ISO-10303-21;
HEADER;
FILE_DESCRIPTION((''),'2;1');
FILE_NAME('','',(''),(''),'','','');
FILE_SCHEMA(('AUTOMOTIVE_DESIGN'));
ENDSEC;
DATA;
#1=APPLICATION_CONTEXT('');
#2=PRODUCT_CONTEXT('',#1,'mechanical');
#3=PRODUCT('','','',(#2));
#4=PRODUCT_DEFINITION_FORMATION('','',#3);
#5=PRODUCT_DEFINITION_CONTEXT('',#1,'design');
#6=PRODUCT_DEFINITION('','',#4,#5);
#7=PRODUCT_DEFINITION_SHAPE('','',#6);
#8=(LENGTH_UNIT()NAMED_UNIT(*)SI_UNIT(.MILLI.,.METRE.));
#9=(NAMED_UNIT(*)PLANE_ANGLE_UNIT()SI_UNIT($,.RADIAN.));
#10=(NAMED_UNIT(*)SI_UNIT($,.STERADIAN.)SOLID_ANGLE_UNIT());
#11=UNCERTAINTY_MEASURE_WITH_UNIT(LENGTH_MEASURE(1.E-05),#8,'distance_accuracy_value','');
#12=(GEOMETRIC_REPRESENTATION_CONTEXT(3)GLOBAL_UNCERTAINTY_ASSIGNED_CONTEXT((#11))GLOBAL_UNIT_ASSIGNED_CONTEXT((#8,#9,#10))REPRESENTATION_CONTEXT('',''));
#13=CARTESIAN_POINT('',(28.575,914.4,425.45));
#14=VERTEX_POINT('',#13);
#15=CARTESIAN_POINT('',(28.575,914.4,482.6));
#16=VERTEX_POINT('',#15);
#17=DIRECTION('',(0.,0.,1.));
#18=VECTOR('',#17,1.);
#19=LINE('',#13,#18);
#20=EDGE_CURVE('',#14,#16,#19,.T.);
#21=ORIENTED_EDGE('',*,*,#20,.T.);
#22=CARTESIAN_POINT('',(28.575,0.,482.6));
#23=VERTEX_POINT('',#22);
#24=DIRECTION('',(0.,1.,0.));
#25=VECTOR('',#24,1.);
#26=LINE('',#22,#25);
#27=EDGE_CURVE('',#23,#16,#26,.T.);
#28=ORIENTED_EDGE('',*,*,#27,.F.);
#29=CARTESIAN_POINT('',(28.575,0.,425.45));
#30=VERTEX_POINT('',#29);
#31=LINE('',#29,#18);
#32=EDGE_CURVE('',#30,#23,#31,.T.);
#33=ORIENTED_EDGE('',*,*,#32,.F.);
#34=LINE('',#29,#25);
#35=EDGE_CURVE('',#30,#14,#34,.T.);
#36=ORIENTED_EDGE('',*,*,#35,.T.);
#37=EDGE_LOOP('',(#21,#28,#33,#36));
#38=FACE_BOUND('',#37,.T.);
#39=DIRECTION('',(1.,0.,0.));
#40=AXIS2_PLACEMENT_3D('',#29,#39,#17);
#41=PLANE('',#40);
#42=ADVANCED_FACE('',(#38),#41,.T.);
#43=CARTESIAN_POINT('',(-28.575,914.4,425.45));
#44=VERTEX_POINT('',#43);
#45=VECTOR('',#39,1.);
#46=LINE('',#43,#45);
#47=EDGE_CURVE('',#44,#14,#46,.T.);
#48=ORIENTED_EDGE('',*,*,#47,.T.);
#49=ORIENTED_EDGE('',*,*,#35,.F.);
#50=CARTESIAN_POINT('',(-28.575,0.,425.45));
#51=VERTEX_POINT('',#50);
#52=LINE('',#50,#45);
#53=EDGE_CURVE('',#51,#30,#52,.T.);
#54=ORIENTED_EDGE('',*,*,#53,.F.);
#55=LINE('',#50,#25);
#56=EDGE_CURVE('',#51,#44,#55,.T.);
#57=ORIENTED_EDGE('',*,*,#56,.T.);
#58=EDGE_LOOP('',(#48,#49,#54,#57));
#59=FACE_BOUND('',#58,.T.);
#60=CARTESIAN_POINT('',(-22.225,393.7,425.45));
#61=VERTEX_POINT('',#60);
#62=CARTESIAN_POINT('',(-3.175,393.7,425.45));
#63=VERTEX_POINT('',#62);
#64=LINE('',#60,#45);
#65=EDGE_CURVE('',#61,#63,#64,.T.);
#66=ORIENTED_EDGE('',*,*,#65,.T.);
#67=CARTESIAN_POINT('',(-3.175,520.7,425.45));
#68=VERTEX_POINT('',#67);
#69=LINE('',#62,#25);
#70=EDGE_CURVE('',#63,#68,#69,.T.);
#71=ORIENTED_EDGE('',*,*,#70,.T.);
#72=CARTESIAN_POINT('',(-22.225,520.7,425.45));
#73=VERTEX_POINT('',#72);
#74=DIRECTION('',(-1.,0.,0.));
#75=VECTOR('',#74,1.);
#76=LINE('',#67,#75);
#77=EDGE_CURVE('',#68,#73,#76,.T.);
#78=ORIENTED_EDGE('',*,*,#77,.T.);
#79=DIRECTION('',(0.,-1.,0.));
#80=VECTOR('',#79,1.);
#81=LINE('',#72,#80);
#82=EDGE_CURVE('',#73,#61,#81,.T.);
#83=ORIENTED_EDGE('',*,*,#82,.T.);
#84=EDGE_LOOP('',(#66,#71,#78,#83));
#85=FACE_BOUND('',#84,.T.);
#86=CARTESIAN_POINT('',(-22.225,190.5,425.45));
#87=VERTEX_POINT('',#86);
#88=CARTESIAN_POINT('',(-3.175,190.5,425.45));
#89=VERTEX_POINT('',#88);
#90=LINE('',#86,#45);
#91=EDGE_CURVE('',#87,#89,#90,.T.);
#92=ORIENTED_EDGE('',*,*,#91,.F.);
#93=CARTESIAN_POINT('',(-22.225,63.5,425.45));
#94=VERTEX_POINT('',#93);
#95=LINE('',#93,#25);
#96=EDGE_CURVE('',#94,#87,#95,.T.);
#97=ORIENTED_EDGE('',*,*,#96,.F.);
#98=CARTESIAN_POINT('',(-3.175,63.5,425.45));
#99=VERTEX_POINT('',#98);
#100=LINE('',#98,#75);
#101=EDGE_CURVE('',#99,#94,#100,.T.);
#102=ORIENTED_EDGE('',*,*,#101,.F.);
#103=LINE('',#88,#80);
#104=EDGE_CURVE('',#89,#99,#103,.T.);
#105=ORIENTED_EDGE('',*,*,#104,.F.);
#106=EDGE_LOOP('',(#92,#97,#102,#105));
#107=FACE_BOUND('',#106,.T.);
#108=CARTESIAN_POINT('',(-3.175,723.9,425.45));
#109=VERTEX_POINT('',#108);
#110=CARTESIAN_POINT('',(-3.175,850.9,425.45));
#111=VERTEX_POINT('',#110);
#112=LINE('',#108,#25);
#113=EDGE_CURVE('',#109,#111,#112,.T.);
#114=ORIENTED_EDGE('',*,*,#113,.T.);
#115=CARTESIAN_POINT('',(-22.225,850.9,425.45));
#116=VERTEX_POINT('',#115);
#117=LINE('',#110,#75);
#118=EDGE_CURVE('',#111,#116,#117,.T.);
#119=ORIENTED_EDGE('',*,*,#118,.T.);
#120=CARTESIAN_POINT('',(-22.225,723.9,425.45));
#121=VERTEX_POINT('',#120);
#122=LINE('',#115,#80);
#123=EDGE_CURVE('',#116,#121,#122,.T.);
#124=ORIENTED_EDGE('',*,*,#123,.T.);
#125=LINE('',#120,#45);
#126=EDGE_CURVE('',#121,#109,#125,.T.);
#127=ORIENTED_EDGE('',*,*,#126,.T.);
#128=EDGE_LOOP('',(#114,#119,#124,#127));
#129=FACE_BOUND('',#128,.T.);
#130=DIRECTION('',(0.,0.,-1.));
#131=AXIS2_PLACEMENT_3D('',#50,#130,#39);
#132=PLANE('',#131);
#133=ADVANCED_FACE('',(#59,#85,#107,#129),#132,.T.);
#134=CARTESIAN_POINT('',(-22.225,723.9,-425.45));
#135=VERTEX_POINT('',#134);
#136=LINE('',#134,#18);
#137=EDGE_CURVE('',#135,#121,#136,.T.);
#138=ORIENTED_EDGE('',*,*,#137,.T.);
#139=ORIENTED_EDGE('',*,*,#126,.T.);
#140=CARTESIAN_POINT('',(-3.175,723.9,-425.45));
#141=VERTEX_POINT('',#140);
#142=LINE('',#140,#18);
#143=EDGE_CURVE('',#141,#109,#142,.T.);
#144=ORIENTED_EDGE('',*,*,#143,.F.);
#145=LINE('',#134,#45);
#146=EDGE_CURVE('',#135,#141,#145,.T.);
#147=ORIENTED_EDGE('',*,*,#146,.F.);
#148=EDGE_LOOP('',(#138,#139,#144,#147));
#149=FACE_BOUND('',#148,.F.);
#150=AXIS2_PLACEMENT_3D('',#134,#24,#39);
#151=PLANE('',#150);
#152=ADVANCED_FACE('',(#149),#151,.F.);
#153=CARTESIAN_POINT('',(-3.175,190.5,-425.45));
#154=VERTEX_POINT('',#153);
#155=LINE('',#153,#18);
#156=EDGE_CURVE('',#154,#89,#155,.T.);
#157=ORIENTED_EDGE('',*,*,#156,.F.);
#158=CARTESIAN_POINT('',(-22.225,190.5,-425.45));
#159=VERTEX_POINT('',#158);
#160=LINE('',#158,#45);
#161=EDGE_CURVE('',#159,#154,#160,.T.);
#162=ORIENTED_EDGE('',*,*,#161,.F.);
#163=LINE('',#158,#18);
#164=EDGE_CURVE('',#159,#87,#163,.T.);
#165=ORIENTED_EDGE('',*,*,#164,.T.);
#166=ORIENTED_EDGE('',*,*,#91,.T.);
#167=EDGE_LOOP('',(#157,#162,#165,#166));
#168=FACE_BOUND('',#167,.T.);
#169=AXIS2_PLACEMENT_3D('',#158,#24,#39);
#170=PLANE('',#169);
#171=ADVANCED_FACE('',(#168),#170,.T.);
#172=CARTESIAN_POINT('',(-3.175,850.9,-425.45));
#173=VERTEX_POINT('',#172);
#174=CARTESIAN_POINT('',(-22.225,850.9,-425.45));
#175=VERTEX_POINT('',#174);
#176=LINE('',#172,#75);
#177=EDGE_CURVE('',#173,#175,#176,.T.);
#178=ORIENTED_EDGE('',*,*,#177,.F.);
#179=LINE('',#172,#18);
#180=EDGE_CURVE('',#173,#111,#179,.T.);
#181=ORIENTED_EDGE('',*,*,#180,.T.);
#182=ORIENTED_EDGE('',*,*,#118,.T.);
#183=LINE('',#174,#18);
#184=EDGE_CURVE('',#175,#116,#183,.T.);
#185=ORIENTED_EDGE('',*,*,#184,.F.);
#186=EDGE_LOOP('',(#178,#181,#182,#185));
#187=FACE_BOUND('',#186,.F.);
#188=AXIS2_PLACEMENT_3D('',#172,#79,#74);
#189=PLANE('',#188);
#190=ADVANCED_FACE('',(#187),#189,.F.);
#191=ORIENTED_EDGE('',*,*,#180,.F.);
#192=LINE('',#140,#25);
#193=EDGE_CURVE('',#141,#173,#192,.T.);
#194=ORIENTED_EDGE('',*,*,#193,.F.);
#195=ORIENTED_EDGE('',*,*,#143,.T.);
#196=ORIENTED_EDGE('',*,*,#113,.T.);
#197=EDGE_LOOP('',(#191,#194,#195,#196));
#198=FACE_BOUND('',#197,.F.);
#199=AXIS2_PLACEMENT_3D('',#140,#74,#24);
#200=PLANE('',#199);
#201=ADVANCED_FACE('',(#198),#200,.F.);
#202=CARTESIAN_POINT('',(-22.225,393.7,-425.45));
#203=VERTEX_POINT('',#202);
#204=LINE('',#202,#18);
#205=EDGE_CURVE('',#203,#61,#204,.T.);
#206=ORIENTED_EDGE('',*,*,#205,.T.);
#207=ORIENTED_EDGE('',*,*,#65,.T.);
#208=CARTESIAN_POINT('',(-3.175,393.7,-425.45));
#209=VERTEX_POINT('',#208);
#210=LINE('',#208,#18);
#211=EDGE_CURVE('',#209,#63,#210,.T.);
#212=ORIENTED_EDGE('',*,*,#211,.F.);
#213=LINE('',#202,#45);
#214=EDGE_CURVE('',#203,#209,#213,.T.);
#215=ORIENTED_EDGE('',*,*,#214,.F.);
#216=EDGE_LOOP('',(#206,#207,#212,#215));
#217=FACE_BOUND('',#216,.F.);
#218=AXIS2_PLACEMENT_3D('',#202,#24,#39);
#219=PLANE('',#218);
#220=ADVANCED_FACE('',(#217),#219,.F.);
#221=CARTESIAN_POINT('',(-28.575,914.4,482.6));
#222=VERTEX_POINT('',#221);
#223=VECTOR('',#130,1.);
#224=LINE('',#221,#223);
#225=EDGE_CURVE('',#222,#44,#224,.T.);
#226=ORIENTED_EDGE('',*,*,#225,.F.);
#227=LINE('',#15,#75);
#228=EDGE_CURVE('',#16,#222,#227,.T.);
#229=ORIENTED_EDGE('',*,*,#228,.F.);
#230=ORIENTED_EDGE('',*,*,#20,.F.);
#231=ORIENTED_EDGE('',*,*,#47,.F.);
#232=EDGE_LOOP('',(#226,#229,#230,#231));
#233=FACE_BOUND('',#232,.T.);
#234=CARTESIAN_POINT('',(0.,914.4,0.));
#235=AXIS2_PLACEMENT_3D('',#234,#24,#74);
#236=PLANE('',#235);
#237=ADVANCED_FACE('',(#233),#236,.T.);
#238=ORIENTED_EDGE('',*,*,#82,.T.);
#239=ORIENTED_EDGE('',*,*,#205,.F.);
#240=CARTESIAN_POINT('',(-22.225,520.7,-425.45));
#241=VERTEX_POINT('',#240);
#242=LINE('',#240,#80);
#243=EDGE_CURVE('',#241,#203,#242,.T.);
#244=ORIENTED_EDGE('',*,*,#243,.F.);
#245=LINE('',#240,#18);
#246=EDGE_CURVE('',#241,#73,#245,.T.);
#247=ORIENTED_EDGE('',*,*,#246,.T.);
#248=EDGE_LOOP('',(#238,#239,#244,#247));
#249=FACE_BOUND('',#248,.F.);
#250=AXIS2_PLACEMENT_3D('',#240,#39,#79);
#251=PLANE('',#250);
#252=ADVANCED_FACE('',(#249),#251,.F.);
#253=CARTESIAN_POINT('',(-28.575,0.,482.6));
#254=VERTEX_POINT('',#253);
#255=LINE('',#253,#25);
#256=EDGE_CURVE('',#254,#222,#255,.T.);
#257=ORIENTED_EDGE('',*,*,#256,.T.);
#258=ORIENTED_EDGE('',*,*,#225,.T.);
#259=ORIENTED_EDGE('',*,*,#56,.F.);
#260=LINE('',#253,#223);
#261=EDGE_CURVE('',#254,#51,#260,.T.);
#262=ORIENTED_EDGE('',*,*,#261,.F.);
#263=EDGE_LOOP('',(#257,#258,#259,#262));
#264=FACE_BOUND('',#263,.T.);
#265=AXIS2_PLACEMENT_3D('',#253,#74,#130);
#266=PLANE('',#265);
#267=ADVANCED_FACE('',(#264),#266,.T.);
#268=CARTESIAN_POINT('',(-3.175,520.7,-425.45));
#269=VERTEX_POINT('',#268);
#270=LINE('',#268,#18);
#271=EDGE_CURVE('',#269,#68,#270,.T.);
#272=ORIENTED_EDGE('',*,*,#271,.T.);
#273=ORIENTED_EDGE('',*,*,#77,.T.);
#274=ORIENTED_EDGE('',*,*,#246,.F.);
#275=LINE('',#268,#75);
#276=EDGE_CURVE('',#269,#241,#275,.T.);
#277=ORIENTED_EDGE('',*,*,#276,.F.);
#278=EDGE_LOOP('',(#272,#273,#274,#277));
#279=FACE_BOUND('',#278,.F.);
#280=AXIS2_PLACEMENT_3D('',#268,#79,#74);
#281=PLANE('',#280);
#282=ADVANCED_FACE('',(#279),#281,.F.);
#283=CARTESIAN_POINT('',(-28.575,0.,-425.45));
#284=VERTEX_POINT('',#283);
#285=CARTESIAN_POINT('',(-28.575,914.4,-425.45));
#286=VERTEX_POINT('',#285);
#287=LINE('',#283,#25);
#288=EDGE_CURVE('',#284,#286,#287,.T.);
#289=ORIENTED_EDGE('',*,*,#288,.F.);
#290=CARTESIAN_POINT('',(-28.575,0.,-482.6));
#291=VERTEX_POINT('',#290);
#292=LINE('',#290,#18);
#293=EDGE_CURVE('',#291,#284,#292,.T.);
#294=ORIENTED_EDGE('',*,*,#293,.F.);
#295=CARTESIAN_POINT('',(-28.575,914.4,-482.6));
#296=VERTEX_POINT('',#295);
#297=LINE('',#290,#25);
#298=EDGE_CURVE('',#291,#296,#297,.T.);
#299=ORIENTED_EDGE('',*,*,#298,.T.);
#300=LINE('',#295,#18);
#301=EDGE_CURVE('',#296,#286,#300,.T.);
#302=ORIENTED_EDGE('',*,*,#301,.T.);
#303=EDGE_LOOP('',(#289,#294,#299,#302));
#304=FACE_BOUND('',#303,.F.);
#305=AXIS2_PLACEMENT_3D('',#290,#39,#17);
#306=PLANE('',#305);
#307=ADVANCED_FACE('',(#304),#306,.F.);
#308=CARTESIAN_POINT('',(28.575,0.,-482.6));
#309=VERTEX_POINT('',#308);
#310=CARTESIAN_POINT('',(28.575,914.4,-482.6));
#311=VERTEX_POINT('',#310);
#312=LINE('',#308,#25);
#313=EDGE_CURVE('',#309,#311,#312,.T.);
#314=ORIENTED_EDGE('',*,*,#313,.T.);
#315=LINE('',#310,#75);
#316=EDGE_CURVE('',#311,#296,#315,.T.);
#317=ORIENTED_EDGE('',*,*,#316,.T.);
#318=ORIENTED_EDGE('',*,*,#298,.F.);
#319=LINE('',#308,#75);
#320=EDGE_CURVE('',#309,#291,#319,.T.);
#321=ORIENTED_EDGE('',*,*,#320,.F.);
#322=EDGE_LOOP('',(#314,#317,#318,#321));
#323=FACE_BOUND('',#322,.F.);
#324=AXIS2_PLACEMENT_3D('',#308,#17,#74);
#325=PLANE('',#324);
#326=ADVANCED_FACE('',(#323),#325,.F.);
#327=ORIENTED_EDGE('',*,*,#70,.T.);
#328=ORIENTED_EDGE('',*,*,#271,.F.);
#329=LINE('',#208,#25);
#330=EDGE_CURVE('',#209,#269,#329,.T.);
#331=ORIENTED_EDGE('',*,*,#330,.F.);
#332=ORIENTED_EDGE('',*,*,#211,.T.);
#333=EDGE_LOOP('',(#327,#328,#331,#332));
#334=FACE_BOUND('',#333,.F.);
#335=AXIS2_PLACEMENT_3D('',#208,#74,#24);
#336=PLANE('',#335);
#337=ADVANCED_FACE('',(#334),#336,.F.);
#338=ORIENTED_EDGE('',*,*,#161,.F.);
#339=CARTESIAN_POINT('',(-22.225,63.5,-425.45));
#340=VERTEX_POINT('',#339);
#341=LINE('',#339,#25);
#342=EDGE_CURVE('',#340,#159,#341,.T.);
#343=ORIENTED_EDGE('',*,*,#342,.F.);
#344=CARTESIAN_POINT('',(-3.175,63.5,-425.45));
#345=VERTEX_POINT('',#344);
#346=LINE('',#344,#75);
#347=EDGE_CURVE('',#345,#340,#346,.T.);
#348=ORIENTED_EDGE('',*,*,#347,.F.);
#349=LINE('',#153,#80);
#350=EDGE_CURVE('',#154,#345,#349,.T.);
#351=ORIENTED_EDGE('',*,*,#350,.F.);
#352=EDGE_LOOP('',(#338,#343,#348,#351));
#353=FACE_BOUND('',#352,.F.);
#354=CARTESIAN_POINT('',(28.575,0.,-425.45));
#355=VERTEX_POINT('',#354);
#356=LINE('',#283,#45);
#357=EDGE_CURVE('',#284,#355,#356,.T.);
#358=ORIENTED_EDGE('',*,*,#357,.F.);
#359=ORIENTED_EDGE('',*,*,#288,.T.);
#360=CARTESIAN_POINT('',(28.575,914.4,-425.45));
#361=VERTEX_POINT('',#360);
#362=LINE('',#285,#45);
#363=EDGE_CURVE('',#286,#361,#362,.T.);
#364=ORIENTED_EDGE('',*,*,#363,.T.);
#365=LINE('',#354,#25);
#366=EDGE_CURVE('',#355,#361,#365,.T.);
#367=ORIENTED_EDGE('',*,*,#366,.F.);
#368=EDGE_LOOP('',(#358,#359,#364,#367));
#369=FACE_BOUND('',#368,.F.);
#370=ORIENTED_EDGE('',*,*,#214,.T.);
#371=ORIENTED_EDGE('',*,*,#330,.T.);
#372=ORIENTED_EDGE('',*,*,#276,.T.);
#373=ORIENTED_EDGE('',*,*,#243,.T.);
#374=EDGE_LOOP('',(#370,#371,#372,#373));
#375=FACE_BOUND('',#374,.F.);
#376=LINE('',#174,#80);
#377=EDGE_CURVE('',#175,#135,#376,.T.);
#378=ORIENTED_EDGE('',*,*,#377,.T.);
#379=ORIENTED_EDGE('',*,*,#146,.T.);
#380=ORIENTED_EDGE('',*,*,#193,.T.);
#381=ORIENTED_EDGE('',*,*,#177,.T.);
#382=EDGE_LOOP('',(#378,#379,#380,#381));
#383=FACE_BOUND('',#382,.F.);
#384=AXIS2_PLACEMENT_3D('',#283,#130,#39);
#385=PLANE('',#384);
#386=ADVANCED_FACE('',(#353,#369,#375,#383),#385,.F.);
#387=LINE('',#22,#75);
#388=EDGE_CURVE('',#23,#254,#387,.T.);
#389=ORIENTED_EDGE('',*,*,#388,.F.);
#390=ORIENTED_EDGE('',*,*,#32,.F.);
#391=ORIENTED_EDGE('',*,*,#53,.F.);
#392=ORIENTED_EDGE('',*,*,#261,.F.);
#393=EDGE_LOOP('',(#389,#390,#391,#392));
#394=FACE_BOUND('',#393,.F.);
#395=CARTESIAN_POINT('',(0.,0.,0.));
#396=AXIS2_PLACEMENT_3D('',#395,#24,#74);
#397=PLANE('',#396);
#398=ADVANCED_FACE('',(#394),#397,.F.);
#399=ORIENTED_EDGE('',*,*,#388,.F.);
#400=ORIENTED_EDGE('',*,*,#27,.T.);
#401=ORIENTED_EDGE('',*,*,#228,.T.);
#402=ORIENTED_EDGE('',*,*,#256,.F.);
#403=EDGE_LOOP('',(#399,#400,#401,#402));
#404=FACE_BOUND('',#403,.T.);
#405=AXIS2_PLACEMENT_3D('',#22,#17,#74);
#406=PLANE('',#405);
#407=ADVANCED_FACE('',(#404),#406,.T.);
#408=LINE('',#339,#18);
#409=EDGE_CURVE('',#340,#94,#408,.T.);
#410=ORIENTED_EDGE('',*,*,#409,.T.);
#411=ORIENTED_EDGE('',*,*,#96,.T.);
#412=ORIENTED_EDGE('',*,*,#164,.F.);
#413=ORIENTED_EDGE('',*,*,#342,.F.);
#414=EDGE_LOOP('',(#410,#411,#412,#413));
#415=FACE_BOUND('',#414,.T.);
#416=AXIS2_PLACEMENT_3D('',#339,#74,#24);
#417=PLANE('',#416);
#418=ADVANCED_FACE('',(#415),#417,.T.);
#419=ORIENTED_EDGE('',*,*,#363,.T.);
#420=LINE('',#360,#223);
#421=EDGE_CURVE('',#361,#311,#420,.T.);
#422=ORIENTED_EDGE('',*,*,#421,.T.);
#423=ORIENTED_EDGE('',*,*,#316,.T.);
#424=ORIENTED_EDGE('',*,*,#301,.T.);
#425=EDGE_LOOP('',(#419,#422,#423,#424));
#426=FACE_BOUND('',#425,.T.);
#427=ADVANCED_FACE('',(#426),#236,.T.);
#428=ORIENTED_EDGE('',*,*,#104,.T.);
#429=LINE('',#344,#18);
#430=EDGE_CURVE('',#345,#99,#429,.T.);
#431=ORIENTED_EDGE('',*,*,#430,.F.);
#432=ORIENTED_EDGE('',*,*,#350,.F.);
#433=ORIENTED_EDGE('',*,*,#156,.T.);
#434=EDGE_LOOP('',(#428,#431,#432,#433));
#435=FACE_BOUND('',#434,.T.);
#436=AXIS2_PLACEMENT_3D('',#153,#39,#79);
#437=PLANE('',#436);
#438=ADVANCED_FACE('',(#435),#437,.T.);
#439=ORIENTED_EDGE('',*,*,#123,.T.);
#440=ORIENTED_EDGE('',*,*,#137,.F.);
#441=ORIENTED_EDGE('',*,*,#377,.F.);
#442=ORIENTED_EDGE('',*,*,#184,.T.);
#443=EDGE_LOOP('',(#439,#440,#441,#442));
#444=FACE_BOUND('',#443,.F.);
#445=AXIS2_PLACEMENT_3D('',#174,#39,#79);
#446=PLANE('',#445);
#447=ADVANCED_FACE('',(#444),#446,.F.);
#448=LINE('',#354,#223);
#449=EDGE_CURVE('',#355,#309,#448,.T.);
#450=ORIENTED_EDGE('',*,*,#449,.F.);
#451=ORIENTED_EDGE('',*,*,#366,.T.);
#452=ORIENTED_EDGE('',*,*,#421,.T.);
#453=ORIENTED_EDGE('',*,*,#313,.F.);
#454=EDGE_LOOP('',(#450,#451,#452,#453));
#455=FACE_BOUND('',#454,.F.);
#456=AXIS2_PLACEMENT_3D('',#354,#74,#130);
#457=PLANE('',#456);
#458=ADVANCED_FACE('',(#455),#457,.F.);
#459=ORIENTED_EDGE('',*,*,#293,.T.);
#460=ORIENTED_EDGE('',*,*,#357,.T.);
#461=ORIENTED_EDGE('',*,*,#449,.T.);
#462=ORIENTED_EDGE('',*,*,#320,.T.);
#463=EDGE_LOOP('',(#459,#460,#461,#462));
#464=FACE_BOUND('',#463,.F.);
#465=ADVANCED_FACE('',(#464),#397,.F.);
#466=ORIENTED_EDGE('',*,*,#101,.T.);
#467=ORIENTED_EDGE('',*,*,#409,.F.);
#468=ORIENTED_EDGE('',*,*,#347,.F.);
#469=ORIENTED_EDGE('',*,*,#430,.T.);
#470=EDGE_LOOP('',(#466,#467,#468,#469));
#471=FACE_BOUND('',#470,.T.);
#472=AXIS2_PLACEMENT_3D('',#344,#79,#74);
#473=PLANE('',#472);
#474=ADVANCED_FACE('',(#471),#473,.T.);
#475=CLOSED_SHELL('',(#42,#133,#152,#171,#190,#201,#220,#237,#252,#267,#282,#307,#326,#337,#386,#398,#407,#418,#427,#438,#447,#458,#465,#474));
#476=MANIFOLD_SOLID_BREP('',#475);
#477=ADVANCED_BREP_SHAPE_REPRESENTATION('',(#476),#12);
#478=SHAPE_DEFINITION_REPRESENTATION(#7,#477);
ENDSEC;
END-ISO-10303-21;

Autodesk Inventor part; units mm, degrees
ref_plane "YZ Plane" through (0, 0, 0) normal (1, 0, 0) x (0, 1, 0)
ref_plane "XZ Plane" through (0, 0, 0) normal (0, 1, 0) x (-1, 0, 0)
ref_plane "XY Plane" through (0, 0, 0) normal (0, 0, 1) x (1, 0, 0)
sketch "Sketch3" plane through (0, 0, 0) normal (0, 1, 0) x (-1, 0, 0)
  line L0 (0, 0) -> (12.472, 0)
  line L1 (-28.575, 482.6) -> (28.575, 482.6)
  line L2 (28.575, 482.6) -> (28.575, 425.45)
  line L3 (28.575, 425.45) -> (-28.575, 425.45)
  line L4 (-28.575, 425.45) -> (-28.575, 482.6)
  line L5 (-28.575, 482.6) -> (28.575, 425.45) construction
  line L6 (28.575, 482.6) -> (-28.575, 425.45) construction
  line L7 (-28.575, -482.6) -> (28.575, -482.6)
  line L8 (28.575, -482.6) -> (28.575, -425.45)
  line L9 (28.575, -425.45) -> (-28.575, -425.45)
  line L10 (-28.575, -425.45) -> (-28.575, -482.6)
  point P0 (0, 454.025)
  dimension "d4" = 57.15
  dimension "d5" = 57.15
  dimension "d6" = 482.6
extrude "Extrusion2" add sketch "Sketch3" along normal blind 914.4
sketch "Sketch4" plane through (-28.575, 0, -425.45) normal (0, 0, 1) x (1, 0, 0)
  line L0 (0, 914.4) -> (57.15, 914.4) projected
  line L1 (57.15, 0) -> (57.15, 914.4) projected
  line L2 (0, 0) -> (0, 914.4) projected
  line L3 (57.15, 914.4) -> (0, 914.4) construction
  line L4 (6.35, 723.9) -> (25.4, 723.9)
  line L5 (25.4, 723.9) -> (25.4, 850.9)
  line L6 (25.4, 850.9) -> (6.35, 850.9)
  line L7 (6.35, 850.9) -> (6.35, 723.9)
  line L8 (6.35, 723.9) -> (25.4, 850.9)
  line L9 (25.4, 723.9) -> (6.35, 850.9)
  line L10 (6.35, 393.7) -> (25.4, 393.7)
  line L11 (25.4, 393.7) -> (25.4, 520.7)
  line L12 (25.4, 520.7) -> (6.35, 520.7)
  line L13 (6.35, 520.7) -> (6.35, 393.7)
  line L14 (6.35, 393.7) -> (25.4, 520.7) construction
  line L15 (25.4, 393.7) -> (6.35, 520.7) construction
  line L16 (6.35, 190.5) -> (25.4, 190.5)
  line L17 (25.4, 190.5) -> (25.4, 63.5)
  line L18 (25.4, 63.5) -> (6.35, 63.5)
  line L19 (6.35, 63.5) -> (6.35, 190.5)
  line L20 (6.35, 190.5) -> (25.4, 63.5) construction
  line L21 (25.4, 190.5) -> (6.35, 63.5) construction
  point P0 (28.575, 0)
  point P1 (15.875, 787.4)
  point P2 (15.875, 457.2)
  point P3 (15.875, 127)
  dimension "d10" = 203.2
  dimension "d11" = 63.5
  dimension "d12" = 19.05
  dimension "d13" = 127
  dimension "d14" = 203.2
  dimension "d15" = 6.35
  dimension "d16" = 6.35
extrude "Extrusion3" add sketch "Sketch4" along normal up to surface (850.9 mm away)
properties part number "WoodFrame" material "Wood (Birch)"
